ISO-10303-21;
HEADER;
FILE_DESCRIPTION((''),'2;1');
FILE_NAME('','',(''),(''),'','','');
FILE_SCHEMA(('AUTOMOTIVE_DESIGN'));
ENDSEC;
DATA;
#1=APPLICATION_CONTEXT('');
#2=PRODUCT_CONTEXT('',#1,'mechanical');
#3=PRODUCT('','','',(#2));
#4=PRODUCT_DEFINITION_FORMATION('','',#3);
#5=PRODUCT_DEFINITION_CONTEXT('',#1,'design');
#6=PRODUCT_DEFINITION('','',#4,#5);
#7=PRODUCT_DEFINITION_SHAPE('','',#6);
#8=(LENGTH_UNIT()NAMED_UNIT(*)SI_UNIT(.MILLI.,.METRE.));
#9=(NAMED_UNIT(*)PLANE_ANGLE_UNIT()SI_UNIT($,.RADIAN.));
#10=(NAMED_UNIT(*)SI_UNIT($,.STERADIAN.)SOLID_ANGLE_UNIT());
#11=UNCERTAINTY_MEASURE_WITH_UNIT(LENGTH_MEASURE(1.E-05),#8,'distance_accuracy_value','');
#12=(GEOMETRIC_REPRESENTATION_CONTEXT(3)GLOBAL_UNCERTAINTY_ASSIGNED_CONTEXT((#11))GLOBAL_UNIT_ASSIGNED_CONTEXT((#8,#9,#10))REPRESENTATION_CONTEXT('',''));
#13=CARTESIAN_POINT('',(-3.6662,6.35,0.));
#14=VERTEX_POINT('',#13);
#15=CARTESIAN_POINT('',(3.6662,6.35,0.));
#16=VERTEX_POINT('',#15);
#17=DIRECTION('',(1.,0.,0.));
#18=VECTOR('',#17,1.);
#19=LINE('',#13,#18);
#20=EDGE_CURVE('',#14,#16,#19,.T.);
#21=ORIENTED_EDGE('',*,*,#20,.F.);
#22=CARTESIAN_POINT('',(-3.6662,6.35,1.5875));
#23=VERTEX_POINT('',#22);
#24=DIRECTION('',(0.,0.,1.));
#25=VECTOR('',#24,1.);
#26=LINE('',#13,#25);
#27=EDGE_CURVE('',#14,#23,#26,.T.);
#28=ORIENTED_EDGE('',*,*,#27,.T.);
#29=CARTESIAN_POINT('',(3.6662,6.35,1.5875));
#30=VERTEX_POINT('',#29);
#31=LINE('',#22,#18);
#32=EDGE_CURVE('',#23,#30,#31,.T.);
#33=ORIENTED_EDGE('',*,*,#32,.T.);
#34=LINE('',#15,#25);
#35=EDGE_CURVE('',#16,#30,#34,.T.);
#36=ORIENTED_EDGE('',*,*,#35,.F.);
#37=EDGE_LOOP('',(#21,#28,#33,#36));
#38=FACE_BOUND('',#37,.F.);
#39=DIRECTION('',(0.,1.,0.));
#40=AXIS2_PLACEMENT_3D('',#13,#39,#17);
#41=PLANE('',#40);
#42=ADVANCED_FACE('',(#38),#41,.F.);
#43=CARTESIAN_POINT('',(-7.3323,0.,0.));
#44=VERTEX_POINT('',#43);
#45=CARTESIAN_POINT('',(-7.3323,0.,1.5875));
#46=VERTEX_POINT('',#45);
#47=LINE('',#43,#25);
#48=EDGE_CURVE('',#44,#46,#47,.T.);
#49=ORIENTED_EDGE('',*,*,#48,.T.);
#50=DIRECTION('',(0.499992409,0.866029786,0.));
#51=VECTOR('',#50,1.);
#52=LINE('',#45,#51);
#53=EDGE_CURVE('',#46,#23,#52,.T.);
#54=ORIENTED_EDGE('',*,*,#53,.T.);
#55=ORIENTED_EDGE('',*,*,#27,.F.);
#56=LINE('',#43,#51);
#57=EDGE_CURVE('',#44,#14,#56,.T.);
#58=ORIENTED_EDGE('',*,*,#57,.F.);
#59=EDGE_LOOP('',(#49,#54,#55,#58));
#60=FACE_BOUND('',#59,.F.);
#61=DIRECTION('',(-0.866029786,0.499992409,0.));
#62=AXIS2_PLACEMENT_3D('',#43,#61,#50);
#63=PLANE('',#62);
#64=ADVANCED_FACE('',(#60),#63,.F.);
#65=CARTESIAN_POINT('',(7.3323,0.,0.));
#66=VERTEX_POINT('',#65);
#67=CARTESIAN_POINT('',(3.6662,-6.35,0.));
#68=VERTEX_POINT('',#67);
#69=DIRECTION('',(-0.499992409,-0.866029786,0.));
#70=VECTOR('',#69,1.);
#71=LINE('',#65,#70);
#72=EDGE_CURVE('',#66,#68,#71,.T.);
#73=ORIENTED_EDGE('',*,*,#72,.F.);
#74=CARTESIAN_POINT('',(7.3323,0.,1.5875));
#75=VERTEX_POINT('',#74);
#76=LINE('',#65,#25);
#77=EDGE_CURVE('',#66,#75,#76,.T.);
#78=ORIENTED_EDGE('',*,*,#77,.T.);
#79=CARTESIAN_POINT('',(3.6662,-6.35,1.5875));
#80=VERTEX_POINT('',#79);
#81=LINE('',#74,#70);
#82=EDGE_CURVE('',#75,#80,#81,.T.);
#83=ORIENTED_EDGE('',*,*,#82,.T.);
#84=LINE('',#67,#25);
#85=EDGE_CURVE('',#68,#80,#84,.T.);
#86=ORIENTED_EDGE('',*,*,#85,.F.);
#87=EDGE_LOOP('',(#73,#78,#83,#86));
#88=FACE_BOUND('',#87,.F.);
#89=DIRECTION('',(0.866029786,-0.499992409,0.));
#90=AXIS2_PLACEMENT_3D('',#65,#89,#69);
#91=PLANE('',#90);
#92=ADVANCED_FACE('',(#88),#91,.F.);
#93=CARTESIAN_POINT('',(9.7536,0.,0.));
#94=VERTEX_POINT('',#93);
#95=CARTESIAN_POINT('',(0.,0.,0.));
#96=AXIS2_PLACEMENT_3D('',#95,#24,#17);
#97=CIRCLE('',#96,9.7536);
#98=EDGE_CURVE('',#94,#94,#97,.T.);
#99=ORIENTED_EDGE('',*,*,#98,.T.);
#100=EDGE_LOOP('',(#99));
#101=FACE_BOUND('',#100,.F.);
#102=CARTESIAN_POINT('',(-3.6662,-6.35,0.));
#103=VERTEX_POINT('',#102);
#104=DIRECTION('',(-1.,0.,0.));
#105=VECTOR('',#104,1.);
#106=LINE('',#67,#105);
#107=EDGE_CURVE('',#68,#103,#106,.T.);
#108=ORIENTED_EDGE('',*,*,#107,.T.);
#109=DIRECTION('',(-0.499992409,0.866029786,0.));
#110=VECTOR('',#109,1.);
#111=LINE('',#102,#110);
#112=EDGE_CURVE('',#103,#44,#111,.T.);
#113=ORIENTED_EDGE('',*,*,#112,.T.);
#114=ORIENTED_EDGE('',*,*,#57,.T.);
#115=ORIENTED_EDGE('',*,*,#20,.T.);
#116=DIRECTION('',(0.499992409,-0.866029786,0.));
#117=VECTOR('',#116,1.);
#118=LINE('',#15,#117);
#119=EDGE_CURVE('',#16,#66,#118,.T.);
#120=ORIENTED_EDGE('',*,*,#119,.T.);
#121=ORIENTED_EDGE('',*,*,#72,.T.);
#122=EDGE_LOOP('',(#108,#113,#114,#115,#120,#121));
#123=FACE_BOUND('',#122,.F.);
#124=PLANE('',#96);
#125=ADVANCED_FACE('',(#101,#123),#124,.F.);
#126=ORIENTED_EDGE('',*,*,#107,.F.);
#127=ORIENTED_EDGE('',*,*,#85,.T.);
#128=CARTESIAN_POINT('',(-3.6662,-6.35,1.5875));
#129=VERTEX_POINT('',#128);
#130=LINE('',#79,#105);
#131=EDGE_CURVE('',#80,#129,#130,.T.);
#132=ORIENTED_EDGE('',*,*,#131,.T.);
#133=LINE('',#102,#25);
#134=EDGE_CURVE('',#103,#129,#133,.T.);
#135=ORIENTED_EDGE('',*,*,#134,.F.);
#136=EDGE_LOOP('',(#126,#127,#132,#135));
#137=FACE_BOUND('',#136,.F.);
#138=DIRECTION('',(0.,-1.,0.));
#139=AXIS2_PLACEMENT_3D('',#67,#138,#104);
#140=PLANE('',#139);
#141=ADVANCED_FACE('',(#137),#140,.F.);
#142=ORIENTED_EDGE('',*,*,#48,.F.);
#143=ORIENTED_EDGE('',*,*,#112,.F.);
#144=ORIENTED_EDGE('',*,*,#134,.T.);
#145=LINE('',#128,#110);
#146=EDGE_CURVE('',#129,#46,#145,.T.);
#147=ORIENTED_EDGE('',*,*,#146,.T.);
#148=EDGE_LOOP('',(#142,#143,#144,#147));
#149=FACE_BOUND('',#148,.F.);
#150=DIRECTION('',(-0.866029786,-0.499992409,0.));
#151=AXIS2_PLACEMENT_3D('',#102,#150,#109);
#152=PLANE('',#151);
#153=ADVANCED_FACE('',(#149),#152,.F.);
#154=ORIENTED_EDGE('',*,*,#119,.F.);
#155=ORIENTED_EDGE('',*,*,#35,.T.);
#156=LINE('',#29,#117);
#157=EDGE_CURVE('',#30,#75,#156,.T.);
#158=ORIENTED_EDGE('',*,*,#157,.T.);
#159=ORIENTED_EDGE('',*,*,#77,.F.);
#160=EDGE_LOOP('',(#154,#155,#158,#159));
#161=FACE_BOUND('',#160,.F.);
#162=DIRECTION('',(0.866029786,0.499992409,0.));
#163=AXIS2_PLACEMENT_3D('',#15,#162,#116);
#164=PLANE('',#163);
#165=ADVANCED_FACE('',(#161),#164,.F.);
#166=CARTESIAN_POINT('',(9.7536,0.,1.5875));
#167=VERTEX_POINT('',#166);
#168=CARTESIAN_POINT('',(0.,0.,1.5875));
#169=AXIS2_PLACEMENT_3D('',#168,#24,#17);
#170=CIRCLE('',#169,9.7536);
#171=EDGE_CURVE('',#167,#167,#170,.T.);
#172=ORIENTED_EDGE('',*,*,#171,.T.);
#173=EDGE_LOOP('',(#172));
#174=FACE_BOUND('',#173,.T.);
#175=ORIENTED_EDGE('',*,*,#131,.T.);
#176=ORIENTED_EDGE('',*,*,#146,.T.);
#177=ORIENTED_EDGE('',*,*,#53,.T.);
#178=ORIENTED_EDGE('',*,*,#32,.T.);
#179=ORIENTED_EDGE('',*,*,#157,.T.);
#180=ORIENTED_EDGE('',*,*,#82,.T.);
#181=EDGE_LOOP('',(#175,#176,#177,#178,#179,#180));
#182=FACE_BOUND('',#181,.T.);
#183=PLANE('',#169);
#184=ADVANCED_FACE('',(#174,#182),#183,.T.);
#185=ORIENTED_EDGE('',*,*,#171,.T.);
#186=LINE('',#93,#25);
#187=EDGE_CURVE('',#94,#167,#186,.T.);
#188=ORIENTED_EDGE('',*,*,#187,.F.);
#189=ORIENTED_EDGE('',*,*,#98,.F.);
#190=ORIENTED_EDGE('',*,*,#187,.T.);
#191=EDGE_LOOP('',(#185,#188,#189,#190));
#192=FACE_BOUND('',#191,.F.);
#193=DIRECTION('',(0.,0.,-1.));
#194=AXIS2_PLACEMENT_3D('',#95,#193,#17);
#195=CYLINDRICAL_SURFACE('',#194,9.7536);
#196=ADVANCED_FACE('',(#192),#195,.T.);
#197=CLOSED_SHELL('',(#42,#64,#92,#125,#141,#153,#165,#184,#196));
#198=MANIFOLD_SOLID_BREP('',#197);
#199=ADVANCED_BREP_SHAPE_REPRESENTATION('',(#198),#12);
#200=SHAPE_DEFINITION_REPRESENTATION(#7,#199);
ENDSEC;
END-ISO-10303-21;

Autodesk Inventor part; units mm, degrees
ref_plane "YZ Plane" through (0, 0, 0) normal (1, 0, 0) x (0, 1, 0)
ref_plane "XZ Plane" through (0, 0, 0) normal (0, 1, 0) x (-1, 0, 0)
ref_plane "XY Plane" through (0, 0, 0) normal (0, 0, 1) x (1, 0, 0)
sketch "Sketch1" plane through (0, 0, 0) normal (0, 0, 1) x (1, 0, 0)
  circle A0 centre (0, 0) radius 9.7536
  line L0 (-7.3323, 0) -> (-3.6662, 6.35)
  line L1 (-3.6662, 6.35) -> (3.6662, 6.35)
  line L2 (3.6662, 6.35) -> (7.3323, 0)
  line L3 (7.3323, 0) -> (3.6662, -6.35)
  line L4 (3.6662, -6.35) -> (-3.6662, -6.35)
  line L5 (-3.6662, -6.35) -> (-7.3323, 0)
  dimension "d0" = 19.5072
  dimension "d1" = 12.7
extrude "Extrusion1" add sketch "Sketch1" along normal blind 1.5875
properties part number "acetalspacer" material "PVC-Piping"
